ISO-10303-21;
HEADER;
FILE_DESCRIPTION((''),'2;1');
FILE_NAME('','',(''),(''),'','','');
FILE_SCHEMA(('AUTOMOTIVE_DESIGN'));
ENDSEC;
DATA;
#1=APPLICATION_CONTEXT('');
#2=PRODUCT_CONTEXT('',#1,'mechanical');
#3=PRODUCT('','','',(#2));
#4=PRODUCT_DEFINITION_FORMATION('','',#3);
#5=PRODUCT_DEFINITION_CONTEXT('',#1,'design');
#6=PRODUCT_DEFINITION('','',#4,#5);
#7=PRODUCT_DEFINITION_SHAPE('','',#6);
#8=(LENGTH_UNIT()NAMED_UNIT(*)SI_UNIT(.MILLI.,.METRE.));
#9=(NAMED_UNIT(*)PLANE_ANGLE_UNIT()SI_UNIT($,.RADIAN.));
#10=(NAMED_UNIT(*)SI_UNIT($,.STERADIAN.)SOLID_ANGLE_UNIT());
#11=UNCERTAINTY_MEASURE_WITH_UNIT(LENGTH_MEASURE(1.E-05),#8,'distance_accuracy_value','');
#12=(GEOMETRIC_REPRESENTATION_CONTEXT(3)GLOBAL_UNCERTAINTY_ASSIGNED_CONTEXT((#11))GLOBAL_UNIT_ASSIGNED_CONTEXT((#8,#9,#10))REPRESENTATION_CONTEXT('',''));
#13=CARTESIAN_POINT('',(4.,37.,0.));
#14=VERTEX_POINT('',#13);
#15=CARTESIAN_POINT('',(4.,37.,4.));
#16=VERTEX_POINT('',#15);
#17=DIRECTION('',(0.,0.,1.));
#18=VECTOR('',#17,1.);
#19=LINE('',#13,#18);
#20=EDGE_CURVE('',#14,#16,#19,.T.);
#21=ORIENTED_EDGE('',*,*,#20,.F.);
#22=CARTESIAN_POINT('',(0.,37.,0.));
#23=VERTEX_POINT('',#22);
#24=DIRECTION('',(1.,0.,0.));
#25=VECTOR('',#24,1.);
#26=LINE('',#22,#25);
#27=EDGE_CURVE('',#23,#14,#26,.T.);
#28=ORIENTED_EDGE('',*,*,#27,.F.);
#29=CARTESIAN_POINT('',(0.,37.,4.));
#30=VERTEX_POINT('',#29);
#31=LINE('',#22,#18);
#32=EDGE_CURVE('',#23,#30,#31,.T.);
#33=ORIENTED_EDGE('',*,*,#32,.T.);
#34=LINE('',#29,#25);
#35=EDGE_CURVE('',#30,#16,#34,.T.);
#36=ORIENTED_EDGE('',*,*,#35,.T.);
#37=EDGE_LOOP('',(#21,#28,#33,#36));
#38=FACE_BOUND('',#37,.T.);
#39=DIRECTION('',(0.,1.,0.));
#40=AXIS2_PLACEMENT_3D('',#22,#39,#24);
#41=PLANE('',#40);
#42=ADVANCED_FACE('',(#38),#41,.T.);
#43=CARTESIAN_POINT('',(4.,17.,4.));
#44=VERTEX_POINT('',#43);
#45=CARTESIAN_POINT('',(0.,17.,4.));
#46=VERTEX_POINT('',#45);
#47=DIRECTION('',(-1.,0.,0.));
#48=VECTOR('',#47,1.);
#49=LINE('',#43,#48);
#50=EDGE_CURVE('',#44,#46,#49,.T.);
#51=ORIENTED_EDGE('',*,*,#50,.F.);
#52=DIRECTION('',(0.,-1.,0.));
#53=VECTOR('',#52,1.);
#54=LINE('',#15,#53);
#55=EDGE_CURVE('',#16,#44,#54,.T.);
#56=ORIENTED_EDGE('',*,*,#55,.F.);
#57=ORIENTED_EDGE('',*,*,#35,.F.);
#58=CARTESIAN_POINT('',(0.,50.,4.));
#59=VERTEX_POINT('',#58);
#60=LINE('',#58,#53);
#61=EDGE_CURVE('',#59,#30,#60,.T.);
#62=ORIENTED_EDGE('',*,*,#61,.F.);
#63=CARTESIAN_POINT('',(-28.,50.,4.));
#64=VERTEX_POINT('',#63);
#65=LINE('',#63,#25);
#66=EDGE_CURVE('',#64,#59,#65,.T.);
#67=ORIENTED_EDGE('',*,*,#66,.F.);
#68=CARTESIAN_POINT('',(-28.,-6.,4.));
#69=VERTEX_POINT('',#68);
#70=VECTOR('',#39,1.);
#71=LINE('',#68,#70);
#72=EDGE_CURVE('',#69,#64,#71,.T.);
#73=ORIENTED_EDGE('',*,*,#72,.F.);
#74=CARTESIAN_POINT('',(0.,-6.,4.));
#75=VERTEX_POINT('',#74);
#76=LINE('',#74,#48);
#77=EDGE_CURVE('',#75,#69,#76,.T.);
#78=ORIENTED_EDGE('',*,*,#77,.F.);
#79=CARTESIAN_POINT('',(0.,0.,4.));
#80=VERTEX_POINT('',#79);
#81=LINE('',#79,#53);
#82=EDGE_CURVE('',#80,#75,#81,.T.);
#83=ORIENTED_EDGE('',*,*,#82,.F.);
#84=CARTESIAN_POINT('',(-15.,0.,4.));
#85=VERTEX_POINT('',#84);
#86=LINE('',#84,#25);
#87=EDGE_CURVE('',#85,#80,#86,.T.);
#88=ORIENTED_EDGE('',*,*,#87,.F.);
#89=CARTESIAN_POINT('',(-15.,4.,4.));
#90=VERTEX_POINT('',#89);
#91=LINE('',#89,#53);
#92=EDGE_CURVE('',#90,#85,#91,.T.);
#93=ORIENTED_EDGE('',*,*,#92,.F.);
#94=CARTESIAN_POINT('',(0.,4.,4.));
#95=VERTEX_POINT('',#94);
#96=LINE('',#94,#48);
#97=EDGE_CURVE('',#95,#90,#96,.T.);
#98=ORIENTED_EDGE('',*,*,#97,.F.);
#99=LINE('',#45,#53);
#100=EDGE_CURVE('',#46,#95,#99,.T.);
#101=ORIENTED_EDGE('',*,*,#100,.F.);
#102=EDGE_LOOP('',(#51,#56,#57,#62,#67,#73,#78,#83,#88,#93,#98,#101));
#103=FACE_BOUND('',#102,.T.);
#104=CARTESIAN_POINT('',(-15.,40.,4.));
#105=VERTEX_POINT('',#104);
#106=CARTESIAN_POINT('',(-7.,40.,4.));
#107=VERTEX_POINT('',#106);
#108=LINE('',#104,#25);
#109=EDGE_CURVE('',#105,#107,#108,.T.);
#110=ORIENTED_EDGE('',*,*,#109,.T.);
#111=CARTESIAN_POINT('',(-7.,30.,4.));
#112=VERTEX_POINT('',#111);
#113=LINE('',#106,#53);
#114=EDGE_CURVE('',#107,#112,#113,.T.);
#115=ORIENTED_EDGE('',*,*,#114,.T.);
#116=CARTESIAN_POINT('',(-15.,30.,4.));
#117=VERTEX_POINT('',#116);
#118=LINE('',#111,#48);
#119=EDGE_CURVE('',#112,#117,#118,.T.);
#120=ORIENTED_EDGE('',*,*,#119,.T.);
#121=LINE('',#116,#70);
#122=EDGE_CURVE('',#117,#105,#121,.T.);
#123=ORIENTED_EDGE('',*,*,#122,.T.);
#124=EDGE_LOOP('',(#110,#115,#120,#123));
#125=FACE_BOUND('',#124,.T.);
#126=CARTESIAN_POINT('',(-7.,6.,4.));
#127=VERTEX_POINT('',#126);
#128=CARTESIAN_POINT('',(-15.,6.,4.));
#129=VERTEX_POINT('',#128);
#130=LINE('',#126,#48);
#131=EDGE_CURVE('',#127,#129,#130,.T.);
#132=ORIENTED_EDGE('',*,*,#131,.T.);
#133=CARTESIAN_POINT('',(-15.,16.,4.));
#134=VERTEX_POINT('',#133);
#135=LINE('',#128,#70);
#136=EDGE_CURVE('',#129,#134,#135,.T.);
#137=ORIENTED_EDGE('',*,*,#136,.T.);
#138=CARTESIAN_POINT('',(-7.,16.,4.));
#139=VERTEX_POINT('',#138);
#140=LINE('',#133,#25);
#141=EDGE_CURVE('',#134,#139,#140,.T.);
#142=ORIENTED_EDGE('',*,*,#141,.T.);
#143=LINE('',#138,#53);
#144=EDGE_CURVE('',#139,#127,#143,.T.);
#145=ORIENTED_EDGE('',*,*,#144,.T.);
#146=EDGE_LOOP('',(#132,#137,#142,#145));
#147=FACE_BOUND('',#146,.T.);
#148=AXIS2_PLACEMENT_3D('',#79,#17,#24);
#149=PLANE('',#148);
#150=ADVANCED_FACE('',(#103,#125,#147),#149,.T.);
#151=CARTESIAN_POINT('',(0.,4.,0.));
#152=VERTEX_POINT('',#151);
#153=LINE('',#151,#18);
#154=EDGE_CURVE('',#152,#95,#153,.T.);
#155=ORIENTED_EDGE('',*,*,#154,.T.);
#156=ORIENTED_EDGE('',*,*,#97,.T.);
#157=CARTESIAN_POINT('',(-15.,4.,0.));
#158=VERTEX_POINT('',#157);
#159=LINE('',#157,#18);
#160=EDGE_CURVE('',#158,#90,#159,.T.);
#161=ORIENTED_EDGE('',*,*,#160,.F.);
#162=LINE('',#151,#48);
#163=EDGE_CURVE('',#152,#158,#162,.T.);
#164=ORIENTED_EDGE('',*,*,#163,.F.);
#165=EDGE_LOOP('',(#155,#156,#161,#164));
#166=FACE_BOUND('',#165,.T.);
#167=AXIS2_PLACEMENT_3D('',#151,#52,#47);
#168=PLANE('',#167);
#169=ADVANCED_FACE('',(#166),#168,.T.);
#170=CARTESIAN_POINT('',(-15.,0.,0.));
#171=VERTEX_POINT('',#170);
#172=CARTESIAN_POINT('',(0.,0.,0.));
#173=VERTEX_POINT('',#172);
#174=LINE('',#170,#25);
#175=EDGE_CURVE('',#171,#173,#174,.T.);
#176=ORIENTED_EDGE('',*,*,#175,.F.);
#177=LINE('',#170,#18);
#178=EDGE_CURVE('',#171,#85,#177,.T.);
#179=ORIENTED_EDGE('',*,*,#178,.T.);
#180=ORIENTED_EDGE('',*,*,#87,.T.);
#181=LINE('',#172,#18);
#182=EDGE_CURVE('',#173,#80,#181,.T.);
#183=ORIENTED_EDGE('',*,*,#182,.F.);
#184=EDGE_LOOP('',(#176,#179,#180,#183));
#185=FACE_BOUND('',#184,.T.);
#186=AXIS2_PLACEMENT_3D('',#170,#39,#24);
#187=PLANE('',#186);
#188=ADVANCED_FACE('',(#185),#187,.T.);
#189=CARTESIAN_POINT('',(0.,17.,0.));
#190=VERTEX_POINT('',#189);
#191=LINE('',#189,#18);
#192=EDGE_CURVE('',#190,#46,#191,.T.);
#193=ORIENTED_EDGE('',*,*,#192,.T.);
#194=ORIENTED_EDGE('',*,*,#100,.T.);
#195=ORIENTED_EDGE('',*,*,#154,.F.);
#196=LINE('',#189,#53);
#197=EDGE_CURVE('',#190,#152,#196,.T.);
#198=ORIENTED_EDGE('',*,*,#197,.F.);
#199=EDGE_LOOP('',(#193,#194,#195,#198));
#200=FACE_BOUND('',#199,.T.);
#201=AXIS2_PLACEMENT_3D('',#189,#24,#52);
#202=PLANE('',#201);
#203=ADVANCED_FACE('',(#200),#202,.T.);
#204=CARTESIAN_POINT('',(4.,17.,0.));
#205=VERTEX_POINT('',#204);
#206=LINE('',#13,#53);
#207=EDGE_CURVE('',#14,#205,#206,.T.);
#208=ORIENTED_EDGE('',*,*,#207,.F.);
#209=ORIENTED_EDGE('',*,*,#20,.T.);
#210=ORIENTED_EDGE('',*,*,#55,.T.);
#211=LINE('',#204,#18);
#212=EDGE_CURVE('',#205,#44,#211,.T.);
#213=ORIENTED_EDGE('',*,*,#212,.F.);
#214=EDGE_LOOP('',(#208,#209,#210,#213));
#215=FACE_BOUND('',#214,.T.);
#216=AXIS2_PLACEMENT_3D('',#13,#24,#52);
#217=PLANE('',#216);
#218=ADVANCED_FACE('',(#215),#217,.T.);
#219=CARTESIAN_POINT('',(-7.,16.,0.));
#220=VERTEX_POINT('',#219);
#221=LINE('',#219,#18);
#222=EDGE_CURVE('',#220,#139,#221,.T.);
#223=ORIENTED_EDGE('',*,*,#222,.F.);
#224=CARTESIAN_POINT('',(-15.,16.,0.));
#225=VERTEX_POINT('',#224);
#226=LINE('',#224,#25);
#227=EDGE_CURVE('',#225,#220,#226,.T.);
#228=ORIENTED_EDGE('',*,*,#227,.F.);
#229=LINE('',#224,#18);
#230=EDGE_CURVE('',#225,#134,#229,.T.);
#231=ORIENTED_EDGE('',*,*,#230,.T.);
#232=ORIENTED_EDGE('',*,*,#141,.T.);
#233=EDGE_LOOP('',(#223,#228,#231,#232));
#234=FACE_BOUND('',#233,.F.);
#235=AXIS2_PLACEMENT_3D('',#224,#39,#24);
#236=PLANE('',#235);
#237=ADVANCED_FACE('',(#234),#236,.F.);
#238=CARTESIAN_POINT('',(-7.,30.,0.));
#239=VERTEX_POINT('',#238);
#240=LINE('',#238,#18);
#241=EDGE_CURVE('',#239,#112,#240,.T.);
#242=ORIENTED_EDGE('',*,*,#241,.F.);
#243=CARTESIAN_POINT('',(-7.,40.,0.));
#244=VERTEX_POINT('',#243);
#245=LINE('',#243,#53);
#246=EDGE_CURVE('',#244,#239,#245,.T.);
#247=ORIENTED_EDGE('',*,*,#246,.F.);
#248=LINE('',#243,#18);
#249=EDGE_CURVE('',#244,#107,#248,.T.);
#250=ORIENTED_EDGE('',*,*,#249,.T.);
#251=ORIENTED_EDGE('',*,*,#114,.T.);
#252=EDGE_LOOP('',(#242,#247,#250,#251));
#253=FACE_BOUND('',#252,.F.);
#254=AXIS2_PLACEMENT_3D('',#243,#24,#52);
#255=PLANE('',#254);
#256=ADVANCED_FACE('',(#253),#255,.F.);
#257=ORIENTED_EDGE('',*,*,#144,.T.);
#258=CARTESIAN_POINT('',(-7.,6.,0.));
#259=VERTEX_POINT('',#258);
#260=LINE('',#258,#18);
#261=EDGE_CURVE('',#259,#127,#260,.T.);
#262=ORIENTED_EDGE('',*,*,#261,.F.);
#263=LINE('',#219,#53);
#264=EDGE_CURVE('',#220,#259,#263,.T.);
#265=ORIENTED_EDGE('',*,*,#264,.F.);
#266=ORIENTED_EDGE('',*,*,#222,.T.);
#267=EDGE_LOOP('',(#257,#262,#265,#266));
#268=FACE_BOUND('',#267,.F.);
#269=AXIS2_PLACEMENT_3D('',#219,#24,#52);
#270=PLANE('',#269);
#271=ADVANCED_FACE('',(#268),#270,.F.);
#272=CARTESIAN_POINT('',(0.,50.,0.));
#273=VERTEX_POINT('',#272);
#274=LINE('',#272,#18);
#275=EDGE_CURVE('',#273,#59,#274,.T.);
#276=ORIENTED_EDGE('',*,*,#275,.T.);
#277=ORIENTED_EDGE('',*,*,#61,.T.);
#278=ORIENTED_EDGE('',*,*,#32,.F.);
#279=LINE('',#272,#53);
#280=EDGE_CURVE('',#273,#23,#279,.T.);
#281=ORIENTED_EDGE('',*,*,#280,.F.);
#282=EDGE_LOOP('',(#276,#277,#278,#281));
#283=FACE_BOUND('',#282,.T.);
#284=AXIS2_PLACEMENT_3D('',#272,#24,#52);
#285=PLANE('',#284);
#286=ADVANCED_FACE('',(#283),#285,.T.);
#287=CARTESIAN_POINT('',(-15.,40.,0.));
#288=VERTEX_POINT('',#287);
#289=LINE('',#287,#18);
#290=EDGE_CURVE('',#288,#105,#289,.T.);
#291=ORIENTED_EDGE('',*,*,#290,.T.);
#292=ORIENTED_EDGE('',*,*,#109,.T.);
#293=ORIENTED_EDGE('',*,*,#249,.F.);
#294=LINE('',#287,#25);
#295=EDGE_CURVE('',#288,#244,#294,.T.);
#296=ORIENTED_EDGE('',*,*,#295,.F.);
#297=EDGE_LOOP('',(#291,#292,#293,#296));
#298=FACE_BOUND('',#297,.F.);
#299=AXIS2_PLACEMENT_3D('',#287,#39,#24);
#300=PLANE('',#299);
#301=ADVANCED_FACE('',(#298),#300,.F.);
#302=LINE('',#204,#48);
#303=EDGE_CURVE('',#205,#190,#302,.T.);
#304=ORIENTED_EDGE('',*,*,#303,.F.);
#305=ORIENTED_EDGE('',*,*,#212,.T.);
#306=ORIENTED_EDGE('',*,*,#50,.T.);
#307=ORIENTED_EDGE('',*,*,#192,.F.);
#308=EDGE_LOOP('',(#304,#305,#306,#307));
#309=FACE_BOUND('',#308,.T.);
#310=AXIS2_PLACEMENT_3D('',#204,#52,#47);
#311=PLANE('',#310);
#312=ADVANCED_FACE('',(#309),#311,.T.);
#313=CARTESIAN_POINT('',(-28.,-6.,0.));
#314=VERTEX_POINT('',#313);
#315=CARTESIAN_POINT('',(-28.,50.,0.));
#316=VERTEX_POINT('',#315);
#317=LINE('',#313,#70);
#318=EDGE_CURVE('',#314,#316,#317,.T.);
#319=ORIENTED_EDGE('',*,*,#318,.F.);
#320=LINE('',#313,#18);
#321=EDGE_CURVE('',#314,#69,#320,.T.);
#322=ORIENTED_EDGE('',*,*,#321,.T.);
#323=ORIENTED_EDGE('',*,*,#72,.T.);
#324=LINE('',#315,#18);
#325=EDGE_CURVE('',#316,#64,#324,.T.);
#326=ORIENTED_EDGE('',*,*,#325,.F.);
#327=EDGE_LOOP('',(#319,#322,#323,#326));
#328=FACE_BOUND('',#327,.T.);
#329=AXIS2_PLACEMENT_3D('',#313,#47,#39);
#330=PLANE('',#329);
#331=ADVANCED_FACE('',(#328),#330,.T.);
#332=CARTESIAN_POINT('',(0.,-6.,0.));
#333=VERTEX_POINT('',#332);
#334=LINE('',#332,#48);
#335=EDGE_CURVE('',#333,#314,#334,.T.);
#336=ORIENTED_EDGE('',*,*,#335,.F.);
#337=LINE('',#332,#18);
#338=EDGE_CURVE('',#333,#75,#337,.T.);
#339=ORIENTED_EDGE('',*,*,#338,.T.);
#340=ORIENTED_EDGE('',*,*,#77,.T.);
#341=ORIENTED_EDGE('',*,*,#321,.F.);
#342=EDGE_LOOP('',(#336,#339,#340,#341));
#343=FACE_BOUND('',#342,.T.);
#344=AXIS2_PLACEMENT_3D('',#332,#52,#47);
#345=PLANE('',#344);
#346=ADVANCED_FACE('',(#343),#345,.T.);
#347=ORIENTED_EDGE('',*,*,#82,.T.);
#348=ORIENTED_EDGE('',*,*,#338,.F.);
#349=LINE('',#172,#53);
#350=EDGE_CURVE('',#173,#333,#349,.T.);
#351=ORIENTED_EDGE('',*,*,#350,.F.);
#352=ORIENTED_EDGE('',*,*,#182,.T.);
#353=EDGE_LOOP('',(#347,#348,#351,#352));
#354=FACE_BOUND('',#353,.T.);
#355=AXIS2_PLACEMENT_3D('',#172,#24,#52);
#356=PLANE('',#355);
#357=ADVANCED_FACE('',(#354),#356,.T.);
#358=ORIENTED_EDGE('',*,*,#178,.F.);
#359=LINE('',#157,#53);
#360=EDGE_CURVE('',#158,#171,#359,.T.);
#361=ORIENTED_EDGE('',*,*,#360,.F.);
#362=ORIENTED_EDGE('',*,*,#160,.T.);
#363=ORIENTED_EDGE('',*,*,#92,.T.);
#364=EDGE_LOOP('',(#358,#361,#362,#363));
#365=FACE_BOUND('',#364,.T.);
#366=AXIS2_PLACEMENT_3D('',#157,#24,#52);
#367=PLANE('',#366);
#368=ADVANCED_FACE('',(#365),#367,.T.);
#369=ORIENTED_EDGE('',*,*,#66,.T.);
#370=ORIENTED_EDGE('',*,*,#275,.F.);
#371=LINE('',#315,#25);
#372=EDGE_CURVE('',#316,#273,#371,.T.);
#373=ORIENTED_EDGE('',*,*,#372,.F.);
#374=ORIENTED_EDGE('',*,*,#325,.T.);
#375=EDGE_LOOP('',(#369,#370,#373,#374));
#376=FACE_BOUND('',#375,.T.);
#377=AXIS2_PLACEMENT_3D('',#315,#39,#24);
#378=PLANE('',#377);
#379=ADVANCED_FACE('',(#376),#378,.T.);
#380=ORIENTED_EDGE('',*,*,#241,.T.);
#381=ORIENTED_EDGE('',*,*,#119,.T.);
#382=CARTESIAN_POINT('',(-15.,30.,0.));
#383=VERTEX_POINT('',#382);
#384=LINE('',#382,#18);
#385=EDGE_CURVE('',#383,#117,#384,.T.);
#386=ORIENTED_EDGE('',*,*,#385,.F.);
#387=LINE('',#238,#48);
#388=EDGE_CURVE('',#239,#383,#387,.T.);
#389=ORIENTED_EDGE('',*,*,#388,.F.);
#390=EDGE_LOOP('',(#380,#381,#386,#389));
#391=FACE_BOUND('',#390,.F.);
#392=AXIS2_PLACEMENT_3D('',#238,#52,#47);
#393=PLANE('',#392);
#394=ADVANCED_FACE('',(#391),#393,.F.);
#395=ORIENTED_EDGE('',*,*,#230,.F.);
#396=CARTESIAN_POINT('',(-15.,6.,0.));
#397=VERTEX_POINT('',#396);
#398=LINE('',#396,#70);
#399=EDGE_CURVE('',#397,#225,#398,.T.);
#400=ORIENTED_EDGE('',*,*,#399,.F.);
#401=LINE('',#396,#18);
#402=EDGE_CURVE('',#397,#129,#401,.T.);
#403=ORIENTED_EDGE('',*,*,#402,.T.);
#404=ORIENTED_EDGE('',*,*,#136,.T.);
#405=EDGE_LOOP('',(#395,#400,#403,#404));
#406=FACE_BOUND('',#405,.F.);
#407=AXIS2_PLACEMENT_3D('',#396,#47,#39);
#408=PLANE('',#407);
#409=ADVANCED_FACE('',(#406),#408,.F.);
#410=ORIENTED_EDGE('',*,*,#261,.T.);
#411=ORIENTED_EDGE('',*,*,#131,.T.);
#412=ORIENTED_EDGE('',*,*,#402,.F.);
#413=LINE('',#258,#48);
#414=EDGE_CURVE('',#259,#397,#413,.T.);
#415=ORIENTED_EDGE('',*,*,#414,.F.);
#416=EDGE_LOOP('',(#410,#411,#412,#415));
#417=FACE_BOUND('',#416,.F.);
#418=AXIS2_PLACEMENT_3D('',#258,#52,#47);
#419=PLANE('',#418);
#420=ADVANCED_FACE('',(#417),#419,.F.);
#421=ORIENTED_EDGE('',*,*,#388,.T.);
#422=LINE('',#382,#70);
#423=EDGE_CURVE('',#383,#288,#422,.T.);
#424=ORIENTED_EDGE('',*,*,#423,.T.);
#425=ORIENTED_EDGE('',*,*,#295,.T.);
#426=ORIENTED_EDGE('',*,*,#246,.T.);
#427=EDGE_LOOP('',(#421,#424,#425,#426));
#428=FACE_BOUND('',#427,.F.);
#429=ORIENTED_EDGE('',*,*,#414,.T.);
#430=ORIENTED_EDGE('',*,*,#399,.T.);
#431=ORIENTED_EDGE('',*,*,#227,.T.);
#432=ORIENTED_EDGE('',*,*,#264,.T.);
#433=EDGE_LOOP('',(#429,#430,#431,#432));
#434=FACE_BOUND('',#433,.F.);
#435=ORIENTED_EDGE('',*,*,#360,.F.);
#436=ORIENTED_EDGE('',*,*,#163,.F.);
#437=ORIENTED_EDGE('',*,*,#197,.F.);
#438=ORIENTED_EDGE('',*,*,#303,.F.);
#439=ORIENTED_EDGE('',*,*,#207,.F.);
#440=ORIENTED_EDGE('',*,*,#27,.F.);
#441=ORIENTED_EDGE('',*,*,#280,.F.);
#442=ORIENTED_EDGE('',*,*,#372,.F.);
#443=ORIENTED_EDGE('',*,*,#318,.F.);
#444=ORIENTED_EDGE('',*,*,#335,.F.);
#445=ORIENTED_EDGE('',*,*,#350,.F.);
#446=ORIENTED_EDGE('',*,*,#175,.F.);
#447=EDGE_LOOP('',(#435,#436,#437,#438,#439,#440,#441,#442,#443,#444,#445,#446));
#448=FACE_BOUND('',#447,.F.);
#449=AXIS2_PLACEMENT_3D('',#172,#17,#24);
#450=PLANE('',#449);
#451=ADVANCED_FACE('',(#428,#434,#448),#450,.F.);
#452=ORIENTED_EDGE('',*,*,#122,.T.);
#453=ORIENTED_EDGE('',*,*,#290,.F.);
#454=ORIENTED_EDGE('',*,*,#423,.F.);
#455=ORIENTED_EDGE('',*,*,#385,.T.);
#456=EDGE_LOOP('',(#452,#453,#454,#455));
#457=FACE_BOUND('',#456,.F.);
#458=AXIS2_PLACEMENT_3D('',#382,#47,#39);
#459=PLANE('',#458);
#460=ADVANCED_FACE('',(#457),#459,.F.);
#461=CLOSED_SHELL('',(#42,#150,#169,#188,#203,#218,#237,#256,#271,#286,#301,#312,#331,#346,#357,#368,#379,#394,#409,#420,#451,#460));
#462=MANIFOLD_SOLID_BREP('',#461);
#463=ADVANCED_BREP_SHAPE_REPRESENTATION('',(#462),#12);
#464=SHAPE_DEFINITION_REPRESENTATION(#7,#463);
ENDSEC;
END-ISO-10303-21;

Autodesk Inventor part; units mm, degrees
ref_plane "YZ Plane" through (0, 0, 0) normal (1, 0, 0) x (0, 1, 0)
ref_plane "XZ Plane" through (0, 0, 0) normal (0, 1, 0) x (-1, 0, 0)
ref_plane "XY Plane" through (0, 0, 0) normal (0, 0, 1) x (1, 0, 0)
sketch "Эскиз1" plane through (0, 0, 0) normal (0, 0, 1) x (1, 0, 0)
  line L0 (0, 0) -> (0, -6)
  line L1 (0, -6) -> (-28, -6)
  line L2 (-28, -6) -> (-28, 50)
  line L3 (-28, 50) -> (0, 50)
  line L4 (0, 50) -> (0, 37)
  line L5 (0, 37) -> (4, 37)
  line L6 (4, 37) -> (4, 17)
  line L7 (4, 17) -> (0, 17)
  line L8 (0, 17) -> (0, 4)
  line L9 (0, 4) -> (-15, 4)
  line L10 (-15, 4) -> (-15, 0)
  line L11 (-15, 0) -> (0, 0)
  line L12 (-7, 6) -> (-15, 6)
  line L13 (-15, 6) -> (-15, 16)
  line L14 (-15, 16) -> (-7, 16)
  line L15 (-7, 16) -> (-7, 6)
  line L16 (-7, 30) -> (-15, 30)
  line L17 (-15, 30) -> (-15, 40)
  line L18 (-15, 40) -> (-7, 40)
  line L19 (-7, 40) -> (-7, 30)
  dimension "d0" = 4
  dimension "d1" = 28
  dimension "d2" = 6
  dimension "d3" = 15
  dimension "d4" = 20
  dimension "d5" = 13
  dimension "d6" = 13
  dimension "d7" = 4
  dimension "d12" = 7
  dimension "d13" = 8
  dimension "d14" = 10
  dimension "d15" = 2
  dimension "d16" = 10
extrude "Выдавливание1" add sketch "Эскиз1" along normal blind 4
properties part number "stiffenerDCDC"
